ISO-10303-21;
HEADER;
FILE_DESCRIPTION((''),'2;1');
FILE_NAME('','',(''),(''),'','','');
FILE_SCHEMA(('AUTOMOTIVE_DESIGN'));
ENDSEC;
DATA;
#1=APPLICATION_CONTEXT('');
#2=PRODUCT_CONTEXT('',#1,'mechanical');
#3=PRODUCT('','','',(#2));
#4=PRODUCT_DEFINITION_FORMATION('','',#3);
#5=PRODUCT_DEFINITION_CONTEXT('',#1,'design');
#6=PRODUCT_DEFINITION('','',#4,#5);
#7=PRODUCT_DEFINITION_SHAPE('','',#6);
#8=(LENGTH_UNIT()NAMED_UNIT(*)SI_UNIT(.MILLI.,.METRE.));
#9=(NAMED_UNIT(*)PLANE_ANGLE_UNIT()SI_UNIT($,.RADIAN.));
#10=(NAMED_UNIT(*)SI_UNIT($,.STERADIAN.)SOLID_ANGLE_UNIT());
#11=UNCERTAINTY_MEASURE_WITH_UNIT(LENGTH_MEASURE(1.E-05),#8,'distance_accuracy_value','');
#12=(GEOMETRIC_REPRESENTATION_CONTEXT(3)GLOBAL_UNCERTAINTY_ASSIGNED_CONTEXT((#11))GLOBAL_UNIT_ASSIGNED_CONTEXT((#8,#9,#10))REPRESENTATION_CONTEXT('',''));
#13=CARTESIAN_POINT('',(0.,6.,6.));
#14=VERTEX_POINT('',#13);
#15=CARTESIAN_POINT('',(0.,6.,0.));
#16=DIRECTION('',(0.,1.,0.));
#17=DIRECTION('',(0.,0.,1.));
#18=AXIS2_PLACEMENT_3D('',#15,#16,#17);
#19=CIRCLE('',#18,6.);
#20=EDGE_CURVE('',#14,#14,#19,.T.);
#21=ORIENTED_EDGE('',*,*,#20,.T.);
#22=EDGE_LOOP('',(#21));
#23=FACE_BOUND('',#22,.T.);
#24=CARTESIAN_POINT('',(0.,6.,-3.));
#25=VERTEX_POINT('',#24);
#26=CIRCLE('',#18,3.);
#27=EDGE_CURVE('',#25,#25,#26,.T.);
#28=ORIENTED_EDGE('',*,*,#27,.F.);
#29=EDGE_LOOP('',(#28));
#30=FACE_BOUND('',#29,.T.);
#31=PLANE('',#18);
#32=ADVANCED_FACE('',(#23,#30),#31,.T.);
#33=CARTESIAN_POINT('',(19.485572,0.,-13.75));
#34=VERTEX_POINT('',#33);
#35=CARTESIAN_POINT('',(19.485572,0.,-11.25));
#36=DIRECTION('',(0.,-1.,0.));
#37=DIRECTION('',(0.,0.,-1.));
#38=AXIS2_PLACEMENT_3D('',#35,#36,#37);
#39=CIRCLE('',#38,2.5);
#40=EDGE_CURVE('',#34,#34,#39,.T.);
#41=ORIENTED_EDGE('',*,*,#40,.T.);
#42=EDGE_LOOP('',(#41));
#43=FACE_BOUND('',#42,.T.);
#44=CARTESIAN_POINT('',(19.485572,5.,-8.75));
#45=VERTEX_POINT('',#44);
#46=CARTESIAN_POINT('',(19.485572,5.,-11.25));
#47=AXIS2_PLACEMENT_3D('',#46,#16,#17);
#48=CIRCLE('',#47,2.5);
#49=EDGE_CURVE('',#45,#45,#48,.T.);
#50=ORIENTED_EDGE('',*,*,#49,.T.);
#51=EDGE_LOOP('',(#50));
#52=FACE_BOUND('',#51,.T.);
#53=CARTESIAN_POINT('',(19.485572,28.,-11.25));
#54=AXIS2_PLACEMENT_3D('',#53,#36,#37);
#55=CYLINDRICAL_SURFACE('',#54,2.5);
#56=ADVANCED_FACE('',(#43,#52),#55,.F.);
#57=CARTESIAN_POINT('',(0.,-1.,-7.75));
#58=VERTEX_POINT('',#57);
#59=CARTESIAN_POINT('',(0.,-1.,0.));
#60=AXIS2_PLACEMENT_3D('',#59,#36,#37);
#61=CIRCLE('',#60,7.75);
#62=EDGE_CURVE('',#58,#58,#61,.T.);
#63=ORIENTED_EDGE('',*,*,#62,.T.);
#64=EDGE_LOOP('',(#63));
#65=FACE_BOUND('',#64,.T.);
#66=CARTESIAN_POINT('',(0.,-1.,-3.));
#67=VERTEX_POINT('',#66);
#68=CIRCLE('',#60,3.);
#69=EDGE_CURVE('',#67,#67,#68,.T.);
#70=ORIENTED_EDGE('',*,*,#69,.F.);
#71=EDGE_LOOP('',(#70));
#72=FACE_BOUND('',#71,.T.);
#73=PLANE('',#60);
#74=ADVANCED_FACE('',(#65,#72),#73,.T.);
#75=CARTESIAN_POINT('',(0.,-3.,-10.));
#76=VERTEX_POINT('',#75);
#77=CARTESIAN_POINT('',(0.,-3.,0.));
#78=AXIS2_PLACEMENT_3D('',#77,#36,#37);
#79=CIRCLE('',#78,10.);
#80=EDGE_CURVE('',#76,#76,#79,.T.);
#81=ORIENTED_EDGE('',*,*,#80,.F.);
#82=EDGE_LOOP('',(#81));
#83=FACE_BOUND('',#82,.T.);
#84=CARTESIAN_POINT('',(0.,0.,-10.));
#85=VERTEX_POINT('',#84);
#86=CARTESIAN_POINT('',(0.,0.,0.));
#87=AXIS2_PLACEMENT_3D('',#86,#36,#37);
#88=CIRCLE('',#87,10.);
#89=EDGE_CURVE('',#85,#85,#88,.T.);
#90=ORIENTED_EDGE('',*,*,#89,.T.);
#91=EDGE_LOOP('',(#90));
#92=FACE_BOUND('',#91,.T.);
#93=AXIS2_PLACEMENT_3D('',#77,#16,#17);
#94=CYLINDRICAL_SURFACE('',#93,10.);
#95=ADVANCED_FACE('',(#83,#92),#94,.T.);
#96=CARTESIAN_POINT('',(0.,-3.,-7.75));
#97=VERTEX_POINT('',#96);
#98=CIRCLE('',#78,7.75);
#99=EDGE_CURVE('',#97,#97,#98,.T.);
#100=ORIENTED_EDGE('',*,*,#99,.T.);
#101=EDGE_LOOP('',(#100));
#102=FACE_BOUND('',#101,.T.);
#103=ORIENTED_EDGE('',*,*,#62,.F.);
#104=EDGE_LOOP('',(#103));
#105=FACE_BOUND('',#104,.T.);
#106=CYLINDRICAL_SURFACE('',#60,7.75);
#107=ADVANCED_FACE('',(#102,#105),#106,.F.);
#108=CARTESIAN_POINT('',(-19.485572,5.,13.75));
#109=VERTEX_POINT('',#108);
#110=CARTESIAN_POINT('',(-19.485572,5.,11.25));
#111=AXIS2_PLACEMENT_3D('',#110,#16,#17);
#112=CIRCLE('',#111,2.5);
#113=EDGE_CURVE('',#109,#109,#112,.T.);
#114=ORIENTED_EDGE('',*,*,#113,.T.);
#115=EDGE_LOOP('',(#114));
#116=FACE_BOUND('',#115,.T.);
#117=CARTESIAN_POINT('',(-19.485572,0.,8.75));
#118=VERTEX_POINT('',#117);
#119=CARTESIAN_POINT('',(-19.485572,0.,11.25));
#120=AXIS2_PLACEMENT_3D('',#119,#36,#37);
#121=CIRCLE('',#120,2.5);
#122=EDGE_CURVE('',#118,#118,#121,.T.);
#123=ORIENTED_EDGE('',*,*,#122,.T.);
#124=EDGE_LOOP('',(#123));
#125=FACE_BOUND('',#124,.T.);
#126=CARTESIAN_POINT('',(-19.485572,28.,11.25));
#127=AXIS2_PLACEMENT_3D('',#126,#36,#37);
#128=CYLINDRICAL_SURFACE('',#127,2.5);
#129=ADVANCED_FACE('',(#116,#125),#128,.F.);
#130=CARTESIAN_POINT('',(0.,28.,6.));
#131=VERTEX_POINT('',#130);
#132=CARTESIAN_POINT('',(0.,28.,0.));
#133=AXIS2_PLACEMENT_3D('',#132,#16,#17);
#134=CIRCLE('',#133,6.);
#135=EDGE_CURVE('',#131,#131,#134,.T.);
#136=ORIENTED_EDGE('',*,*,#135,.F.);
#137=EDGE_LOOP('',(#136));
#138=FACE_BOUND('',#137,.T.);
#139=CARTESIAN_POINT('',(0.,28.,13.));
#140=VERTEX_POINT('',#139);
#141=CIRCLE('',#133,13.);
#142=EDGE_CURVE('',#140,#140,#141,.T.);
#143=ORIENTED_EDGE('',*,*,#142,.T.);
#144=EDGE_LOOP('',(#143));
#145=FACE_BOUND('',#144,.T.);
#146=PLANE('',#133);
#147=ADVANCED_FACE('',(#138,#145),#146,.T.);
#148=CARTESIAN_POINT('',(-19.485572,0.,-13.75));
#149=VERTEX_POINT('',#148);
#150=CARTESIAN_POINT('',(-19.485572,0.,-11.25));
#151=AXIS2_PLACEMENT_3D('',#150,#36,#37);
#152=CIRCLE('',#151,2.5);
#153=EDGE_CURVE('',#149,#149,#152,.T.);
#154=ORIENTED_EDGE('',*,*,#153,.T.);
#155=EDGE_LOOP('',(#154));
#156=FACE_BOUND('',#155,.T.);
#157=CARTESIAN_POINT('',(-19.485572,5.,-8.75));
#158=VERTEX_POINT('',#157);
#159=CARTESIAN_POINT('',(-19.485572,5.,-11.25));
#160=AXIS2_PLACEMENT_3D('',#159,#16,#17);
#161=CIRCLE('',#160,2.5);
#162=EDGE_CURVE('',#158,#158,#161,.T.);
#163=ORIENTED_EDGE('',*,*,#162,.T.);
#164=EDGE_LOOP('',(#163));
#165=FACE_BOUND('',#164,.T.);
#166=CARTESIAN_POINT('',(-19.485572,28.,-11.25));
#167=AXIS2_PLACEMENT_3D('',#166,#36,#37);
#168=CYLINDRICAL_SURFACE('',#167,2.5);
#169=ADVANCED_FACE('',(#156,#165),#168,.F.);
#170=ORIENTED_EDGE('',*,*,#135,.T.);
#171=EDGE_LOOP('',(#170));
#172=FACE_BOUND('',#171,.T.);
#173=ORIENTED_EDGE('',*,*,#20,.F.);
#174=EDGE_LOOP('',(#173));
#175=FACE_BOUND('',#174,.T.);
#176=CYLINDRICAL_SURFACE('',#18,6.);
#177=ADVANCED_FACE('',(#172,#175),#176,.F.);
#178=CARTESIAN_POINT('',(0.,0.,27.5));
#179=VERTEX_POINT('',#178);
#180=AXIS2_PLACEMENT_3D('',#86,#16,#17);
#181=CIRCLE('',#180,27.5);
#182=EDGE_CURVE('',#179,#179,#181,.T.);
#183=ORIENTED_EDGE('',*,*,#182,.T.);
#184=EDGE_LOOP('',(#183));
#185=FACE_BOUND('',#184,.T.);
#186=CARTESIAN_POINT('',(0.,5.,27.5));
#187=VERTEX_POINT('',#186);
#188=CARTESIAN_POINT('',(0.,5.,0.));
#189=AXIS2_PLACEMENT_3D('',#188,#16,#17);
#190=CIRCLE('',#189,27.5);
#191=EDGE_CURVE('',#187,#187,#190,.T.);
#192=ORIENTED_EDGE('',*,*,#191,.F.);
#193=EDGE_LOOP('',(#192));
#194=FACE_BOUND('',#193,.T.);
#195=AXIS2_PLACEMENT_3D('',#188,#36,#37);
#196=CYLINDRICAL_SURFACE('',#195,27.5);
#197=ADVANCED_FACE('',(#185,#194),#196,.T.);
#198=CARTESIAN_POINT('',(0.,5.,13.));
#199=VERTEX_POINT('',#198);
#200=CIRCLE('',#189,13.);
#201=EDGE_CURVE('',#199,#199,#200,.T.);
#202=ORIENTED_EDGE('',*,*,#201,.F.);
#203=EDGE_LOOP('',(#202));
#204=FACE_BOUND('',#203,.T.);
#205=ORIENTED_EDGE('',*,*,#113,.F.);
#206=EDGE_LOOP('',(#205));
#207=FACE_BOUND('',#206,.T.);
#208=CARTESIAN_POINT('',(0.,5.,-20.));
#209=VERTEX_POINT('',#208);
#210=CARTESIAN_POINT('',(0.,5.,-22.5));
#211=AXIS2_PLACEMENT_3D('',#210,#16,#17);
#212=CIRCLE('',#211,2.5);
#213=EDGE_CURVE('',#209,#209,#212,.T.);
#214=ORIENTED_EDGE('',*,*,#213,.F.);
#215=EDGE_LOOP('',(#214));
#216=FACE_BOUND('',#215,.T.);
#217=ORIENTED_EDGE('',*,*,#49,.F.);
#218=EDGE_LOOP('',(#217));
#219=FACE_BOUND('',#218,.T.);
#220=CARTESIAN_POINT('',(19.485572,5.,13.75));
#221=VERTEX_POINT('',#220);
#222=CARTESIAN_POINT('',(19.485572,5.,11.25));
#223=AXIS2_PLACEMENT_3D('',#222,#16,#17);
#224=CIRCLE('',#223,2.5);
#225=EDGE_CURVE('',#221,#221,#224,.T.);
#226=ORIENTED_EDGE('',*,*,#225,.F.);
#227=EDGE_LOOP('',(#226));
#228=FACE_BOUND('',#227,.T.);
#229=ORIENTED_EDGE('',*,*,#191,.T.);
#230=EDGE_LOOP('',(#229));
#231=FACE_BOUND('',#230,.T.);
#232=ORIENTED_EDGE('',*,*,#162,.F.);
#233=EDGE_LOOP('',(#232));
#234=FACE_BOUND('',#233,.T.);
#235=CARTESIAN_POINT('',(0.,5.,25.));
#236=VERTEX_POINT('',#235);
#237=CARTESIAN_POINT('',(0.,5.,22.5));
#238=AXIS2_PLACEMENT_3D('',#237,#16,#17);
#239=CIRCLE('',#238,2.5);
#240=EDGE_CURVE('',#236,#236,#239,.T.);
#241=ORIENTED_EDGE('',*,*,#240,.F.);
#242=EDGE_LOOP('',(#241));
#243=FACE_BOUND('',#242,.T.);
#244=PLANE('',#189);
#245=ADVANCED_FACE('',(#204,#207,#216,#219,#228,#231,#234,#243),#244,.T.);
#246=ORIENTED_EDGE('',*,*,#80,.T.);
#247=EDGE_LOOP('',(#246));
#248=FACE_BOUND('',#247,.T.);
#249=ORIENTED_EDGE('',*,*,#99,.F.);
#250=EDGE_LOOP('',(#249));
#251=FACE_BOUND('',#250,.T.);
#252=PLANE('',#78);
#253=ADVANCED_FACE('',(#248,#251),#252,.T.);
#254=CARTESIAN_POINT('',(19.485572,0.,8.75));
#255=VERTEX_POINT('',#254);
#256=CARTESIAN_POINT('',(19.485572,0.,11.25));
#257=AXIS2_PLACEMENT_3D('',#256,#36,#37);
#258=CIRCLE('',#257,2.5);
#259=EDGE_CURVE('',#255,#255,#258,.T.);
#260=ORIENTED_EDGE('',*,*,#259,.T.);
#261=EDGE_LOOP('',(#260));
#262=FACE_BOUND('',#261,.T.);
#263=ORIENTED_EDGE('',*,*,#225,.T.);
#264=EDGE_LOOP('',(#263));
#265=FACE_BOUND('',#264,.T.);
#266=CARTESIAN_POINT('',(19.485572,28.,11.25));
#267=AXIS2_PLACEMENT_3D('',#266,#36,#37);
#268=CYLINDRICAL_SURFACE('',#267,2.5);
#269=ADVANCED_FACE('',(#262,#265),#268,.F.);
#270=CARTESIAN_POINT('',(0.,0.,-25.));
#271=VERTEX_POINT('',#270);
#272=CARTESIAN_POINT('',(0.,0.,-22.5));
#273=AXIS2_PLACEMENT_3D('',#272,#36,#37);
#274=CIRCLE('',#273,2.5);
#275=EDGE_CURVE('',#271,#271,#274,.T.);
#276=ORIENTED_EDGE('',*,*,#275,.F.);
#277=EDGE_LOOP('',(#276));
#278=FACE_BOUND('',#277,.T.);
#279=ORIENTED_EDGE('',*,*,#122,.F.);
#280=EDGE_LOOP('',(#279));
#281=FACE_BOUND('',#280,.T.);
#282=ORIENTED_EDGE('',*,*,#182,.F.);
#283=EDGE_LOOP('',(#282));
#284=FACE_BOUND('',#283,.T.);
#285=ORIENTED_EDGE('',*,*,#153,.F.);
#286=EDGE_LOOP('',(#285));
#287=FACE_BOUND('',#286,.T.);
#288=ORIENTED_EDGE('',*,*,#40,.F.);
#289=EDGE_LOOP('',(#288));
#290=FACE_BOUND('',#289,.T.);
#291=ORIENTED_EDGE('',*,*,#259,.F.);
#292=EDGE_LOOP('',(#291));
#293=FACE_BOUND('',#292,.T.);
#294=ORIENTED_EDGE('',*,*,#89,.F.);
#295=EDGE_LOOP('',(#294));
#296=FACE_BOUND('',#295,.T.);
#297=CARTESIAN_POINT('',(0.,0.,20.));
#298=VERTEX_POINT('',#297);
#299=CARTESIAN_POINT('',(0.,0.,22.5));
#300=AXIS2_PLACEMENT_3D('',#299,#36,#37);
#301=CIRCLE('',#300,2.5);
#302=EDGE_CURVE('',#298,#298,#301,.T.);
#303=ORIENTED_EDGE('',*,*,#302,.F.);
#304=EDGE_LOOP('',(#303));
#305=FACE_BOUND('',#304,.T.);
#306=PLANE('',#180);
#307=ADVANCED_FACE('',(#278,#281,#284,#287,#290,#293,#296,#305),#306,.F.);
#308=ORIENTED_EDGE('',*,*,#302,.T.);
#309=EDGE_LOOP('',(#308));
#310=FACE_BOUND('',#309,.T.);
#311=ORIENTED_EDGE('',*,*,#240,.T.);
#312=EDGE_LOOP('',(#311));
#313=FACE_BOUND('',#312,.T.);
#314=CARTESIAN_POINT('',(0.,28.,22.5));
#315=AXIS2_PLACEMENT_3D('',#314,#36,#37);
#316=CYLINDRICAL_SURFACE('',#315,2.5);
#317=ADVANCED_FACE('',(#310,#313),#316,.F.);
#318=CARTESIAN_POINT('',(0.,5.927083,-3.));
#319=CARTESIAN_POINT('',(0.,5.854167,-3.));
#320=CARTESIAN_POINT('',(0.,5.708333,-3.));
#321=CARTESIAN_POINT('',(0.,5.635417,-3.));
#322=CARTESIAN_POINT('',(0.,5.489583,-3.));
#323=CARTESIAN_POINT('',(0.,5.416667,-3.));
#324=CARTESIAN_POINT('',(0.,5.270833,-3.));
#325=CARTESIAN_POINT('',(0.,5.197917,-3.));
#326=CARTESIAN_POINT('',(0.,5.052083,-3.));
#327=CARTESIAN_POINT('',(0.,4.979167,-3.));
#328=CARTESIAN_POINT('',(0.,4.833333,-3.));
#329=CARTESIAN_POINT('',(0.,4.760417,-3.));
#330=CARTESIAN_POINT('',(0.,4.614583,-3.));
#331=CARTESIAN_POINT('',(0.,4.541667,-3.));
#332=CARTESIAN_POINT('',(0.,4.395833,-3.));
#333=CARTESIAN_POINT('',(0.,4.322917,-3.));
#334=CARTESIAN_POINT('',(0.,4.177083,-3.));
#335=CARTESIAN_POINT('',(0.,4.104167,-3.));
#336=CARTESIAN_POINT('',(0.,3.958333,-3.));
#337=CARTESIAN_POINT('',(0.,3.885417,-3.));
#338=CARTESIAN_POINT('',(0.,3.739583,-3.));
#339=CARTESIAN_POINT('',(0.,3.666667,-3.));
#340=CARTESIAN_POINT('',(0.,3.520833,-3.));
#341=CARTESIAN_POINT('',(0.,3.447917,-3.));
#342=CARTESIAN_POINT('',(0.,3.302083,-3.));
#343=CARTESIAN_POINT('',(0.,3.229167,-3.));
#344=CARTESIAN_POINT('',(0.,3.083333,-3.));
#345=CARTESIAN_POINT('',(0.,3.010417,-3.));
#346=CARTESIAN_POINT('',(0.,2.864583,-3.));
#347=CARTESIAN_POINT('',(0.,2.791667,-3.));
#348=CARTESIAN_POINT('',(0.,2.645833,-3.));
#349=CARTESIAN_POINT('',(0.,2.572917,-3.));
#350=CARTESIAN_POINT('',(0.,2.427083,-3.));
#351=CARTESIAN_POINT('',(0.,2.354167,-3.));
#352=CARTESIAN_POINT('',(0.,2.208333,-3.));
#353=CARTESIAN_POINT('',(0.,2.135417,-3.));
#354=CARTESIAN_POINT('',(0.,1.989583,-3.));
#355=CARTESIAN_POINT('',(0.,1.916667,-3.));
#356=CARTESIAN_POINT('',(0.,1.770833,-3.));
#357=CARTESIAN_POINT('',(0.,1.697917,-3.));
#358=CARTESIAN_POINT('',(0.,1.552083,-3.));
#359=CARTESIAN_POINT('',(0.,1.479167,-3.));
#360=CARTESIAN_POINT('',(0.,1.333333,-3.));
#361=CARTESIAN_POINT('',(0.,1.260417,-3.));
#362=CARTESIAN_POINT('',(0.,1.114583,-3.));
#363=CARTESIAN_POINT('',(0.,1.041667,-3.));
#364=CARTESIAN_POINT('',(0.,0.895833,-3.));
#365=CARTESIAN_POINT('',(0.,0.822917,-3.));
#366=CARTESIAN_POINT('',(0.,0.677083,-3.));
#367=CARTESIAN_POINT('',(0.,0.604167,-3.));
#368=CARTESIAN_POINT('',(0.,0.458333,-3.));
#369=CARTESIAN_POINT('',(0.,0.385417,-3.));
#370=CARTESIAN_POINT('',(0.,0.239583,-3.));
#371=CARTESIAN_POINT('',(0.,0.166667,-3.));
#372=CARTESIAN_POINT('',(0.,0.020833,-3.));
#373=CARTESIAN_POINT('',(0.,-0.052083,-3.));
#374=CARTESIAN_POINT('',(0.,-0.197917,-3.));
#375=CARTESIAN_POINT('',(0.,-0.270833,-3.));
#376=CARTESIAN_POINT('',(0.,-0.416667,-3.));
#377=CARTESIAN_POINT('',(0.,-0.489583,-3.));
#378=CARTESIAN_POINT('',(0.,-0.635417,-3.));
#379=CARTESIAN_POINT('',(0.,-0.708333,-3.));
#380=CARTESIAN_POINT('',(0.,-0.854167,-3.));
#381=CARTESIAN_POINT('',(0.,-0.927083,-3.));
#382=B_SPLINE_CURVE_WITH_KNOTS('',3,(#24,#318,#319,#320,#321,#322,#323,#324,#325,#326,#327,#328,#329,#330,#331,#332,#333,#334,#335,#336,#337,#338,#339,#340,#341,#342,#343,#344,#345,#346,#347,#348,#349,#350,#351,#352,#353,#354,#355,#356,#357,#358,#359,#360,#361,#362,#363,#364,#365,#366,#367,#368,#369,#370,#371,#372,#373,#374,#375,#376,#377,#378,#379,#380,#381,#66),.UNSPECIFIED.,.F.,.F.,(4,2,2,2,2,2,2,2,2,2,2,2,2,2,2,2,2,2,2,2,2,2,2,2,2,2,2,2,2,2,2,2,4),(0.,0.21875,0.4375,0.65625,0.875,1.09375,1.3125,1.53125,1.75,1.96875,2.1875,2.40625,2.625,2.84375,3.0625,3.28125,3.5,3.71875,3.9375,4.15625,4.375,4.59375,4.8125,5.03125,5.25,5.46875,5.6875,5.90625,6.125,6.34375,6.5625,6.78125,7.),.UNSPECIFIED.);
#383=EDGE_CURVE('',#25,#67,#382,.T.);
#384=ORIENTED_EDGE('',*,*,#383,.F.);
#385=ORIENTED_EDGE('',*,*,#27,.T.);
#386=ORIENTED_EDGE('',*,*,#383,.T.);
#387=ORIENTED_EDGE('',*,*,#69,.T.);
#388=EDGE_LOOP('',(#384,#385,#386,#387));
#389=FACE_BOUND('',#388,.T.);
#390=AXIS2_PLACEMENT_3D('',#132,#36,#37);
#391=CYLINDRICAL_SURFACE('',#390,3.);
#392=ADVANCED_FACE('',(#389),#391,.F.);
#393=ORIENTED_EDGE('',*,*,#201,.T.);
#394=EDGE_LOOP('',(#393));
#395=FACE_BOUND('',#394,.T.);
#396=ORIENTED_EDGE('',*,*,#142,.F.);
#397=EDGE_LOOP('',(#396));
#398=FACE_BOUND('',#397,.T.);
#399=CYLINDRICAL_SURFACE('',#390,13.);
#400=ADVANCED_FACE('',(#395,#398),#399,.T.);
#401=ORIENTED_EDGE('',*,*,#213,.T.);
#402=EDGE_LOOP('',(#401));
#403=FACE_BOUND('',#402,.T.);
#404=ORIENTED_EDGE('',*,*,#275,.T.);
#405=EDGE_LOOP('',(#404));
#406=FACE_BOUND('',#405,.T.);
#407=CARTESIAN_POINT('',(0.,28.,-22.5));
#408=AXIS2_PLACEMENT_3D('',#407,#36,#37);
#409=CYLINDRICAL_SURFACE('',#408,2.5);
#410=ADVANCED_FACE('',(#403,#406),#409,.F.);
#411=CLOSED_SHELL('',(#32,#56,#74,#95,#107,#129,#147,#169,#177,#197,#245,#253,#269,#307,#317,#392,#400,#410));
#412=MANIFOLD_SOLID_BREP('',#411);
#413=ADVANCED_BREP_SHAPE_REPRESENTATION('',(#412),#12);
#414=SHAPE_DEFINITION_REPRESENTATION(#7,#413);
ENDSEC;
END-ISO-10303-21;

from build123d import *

# Parameters (mm, degrees)
SKETCH_1_R          = 27.5
EXTRUDE_1_DEPTH     = 5
SKETCH_2_R          = 10
EXTRUDE_2_DEPTH     = 3
SKETCH_3_R          = 13
EXTRUDE_3_DEPTH     = 23
SKETCH_4_R          = 6
CUT_EXTRUDE_1_DEPTH = 22
SKETCH_5_R          = 7.75
CUT_EXTRUDE_2_DEPTH = 2
SKETCH_6_R          = 3
CUT_EXTRUDE_3_DEPTH = 49.512884886
SKETCH_7_R          = 2.5
CUT_EXTRUDE_4_DEPTH = 48.921811318


with BuildPart() as part:
    # 草图1 → 凸台-拉伸1 (new body)
    with BuildSketch(Plane(origin=(0, 0, 0), x_dir=(1, 0, 0), z_dir=(0, 1, 0))):
        with Locations(Location((0, 0, 0), (0, 0, 270))):
            Circle(SKETCH_1_R)
    extrude(amount=EXTRUDE_1_DEPTH)

    # 草图2 → 凸台-拉伸2 (add)
    with BuildSketch(Plane.XZ):
        with Locations(Location((0, 0, 0), (0, 0, 270))):
            Circle(SKETCH_2_R)
    extrude(amount=EXTRUDE_2_DEPTH)

    # 草图3 → 凸台-拉伸3 (add)
    with BuildSketch(Plane(origin=(0, 5, 0), x_dir=(1, 0, 0), z_dir=(0, 1, 0))):
        with Locations(Location((0, 0, 0), (0, 0, 270))):
            Circle(SKETCH_3_R)
    extrude(amount=EXTRUDE_3_DEPTH)

    # 草图4 → 切除-拉伸1 (cut)
    with BuildSketch(Plane(origin=(0, 28, 0), x_dir=(1, 0, 0), z_dir=(0, 1, 0))):
        with Locations(Location((0, 0, 0), (0, 0, 270))):
            Circle(SKETCH_4_R)
    extrude(amount=-CUT_EXTRUDE_1_DEPTH, mode=Mode.SUBTRACT)

    # 草图5 → 切除-拉伸2 (cut)
    with BuildSketch(Plane.XZ.offset(3)):
        with Locations(Location((0, 0, 0), (0, 0, 270))):
            Circle(SKETCH_5_R)
    extrude(amount=-CUT_EXTRUDE_2_DEPTH, mode=Mode.SUBTRACT)

    # 草图6 → 切除-拉伸3 (cut, through all)
    with BuildSketch(Plane.XZ.offset(1)):
        with Locations(Location((0, 0, 0), (0, 0, 270))):
            Circle(SKETCH_6_R)
    extrude(amount=-CUT_EXTRUDE_3_DEPTH, mode=Mode.SUBTRACT)

    # 草图7 → 切除-拉伸4 (cut, through all)
    with BuildSketch(Plane.XZ):
        with Locations(Location((0, 22.5, 0), (0, 0, 270))):
            Circle(SKETCH_7_R)
        with Locations(Location((19.485571585, 11.25, 0), (0, 0, 270))):
            Circle(SKETCH_7_R)
        with Locations(Location((19.485571585, -11.25, 0), (0, 0, 270))):
            Circle(SKETCH_7_R)
        with Locations(Location((0, -22.5, 0), (0, 0, 270))):
            Circle(SKETCH_7_R)
        with Locations(Location((-19.485571585, -11.25, 0), (0, 0, 270))):
            Circle(SKETCH_7_R)
        with Locations(Location((-19.485571585, 11.25, 0), (0, 0, 270))):
            Circle(SKETCH_7_R)
    extrude(amount=-CUT_EXTRUDE_4_DEPTH, mode=Mode.SUBTRACT)


solid = part.part
